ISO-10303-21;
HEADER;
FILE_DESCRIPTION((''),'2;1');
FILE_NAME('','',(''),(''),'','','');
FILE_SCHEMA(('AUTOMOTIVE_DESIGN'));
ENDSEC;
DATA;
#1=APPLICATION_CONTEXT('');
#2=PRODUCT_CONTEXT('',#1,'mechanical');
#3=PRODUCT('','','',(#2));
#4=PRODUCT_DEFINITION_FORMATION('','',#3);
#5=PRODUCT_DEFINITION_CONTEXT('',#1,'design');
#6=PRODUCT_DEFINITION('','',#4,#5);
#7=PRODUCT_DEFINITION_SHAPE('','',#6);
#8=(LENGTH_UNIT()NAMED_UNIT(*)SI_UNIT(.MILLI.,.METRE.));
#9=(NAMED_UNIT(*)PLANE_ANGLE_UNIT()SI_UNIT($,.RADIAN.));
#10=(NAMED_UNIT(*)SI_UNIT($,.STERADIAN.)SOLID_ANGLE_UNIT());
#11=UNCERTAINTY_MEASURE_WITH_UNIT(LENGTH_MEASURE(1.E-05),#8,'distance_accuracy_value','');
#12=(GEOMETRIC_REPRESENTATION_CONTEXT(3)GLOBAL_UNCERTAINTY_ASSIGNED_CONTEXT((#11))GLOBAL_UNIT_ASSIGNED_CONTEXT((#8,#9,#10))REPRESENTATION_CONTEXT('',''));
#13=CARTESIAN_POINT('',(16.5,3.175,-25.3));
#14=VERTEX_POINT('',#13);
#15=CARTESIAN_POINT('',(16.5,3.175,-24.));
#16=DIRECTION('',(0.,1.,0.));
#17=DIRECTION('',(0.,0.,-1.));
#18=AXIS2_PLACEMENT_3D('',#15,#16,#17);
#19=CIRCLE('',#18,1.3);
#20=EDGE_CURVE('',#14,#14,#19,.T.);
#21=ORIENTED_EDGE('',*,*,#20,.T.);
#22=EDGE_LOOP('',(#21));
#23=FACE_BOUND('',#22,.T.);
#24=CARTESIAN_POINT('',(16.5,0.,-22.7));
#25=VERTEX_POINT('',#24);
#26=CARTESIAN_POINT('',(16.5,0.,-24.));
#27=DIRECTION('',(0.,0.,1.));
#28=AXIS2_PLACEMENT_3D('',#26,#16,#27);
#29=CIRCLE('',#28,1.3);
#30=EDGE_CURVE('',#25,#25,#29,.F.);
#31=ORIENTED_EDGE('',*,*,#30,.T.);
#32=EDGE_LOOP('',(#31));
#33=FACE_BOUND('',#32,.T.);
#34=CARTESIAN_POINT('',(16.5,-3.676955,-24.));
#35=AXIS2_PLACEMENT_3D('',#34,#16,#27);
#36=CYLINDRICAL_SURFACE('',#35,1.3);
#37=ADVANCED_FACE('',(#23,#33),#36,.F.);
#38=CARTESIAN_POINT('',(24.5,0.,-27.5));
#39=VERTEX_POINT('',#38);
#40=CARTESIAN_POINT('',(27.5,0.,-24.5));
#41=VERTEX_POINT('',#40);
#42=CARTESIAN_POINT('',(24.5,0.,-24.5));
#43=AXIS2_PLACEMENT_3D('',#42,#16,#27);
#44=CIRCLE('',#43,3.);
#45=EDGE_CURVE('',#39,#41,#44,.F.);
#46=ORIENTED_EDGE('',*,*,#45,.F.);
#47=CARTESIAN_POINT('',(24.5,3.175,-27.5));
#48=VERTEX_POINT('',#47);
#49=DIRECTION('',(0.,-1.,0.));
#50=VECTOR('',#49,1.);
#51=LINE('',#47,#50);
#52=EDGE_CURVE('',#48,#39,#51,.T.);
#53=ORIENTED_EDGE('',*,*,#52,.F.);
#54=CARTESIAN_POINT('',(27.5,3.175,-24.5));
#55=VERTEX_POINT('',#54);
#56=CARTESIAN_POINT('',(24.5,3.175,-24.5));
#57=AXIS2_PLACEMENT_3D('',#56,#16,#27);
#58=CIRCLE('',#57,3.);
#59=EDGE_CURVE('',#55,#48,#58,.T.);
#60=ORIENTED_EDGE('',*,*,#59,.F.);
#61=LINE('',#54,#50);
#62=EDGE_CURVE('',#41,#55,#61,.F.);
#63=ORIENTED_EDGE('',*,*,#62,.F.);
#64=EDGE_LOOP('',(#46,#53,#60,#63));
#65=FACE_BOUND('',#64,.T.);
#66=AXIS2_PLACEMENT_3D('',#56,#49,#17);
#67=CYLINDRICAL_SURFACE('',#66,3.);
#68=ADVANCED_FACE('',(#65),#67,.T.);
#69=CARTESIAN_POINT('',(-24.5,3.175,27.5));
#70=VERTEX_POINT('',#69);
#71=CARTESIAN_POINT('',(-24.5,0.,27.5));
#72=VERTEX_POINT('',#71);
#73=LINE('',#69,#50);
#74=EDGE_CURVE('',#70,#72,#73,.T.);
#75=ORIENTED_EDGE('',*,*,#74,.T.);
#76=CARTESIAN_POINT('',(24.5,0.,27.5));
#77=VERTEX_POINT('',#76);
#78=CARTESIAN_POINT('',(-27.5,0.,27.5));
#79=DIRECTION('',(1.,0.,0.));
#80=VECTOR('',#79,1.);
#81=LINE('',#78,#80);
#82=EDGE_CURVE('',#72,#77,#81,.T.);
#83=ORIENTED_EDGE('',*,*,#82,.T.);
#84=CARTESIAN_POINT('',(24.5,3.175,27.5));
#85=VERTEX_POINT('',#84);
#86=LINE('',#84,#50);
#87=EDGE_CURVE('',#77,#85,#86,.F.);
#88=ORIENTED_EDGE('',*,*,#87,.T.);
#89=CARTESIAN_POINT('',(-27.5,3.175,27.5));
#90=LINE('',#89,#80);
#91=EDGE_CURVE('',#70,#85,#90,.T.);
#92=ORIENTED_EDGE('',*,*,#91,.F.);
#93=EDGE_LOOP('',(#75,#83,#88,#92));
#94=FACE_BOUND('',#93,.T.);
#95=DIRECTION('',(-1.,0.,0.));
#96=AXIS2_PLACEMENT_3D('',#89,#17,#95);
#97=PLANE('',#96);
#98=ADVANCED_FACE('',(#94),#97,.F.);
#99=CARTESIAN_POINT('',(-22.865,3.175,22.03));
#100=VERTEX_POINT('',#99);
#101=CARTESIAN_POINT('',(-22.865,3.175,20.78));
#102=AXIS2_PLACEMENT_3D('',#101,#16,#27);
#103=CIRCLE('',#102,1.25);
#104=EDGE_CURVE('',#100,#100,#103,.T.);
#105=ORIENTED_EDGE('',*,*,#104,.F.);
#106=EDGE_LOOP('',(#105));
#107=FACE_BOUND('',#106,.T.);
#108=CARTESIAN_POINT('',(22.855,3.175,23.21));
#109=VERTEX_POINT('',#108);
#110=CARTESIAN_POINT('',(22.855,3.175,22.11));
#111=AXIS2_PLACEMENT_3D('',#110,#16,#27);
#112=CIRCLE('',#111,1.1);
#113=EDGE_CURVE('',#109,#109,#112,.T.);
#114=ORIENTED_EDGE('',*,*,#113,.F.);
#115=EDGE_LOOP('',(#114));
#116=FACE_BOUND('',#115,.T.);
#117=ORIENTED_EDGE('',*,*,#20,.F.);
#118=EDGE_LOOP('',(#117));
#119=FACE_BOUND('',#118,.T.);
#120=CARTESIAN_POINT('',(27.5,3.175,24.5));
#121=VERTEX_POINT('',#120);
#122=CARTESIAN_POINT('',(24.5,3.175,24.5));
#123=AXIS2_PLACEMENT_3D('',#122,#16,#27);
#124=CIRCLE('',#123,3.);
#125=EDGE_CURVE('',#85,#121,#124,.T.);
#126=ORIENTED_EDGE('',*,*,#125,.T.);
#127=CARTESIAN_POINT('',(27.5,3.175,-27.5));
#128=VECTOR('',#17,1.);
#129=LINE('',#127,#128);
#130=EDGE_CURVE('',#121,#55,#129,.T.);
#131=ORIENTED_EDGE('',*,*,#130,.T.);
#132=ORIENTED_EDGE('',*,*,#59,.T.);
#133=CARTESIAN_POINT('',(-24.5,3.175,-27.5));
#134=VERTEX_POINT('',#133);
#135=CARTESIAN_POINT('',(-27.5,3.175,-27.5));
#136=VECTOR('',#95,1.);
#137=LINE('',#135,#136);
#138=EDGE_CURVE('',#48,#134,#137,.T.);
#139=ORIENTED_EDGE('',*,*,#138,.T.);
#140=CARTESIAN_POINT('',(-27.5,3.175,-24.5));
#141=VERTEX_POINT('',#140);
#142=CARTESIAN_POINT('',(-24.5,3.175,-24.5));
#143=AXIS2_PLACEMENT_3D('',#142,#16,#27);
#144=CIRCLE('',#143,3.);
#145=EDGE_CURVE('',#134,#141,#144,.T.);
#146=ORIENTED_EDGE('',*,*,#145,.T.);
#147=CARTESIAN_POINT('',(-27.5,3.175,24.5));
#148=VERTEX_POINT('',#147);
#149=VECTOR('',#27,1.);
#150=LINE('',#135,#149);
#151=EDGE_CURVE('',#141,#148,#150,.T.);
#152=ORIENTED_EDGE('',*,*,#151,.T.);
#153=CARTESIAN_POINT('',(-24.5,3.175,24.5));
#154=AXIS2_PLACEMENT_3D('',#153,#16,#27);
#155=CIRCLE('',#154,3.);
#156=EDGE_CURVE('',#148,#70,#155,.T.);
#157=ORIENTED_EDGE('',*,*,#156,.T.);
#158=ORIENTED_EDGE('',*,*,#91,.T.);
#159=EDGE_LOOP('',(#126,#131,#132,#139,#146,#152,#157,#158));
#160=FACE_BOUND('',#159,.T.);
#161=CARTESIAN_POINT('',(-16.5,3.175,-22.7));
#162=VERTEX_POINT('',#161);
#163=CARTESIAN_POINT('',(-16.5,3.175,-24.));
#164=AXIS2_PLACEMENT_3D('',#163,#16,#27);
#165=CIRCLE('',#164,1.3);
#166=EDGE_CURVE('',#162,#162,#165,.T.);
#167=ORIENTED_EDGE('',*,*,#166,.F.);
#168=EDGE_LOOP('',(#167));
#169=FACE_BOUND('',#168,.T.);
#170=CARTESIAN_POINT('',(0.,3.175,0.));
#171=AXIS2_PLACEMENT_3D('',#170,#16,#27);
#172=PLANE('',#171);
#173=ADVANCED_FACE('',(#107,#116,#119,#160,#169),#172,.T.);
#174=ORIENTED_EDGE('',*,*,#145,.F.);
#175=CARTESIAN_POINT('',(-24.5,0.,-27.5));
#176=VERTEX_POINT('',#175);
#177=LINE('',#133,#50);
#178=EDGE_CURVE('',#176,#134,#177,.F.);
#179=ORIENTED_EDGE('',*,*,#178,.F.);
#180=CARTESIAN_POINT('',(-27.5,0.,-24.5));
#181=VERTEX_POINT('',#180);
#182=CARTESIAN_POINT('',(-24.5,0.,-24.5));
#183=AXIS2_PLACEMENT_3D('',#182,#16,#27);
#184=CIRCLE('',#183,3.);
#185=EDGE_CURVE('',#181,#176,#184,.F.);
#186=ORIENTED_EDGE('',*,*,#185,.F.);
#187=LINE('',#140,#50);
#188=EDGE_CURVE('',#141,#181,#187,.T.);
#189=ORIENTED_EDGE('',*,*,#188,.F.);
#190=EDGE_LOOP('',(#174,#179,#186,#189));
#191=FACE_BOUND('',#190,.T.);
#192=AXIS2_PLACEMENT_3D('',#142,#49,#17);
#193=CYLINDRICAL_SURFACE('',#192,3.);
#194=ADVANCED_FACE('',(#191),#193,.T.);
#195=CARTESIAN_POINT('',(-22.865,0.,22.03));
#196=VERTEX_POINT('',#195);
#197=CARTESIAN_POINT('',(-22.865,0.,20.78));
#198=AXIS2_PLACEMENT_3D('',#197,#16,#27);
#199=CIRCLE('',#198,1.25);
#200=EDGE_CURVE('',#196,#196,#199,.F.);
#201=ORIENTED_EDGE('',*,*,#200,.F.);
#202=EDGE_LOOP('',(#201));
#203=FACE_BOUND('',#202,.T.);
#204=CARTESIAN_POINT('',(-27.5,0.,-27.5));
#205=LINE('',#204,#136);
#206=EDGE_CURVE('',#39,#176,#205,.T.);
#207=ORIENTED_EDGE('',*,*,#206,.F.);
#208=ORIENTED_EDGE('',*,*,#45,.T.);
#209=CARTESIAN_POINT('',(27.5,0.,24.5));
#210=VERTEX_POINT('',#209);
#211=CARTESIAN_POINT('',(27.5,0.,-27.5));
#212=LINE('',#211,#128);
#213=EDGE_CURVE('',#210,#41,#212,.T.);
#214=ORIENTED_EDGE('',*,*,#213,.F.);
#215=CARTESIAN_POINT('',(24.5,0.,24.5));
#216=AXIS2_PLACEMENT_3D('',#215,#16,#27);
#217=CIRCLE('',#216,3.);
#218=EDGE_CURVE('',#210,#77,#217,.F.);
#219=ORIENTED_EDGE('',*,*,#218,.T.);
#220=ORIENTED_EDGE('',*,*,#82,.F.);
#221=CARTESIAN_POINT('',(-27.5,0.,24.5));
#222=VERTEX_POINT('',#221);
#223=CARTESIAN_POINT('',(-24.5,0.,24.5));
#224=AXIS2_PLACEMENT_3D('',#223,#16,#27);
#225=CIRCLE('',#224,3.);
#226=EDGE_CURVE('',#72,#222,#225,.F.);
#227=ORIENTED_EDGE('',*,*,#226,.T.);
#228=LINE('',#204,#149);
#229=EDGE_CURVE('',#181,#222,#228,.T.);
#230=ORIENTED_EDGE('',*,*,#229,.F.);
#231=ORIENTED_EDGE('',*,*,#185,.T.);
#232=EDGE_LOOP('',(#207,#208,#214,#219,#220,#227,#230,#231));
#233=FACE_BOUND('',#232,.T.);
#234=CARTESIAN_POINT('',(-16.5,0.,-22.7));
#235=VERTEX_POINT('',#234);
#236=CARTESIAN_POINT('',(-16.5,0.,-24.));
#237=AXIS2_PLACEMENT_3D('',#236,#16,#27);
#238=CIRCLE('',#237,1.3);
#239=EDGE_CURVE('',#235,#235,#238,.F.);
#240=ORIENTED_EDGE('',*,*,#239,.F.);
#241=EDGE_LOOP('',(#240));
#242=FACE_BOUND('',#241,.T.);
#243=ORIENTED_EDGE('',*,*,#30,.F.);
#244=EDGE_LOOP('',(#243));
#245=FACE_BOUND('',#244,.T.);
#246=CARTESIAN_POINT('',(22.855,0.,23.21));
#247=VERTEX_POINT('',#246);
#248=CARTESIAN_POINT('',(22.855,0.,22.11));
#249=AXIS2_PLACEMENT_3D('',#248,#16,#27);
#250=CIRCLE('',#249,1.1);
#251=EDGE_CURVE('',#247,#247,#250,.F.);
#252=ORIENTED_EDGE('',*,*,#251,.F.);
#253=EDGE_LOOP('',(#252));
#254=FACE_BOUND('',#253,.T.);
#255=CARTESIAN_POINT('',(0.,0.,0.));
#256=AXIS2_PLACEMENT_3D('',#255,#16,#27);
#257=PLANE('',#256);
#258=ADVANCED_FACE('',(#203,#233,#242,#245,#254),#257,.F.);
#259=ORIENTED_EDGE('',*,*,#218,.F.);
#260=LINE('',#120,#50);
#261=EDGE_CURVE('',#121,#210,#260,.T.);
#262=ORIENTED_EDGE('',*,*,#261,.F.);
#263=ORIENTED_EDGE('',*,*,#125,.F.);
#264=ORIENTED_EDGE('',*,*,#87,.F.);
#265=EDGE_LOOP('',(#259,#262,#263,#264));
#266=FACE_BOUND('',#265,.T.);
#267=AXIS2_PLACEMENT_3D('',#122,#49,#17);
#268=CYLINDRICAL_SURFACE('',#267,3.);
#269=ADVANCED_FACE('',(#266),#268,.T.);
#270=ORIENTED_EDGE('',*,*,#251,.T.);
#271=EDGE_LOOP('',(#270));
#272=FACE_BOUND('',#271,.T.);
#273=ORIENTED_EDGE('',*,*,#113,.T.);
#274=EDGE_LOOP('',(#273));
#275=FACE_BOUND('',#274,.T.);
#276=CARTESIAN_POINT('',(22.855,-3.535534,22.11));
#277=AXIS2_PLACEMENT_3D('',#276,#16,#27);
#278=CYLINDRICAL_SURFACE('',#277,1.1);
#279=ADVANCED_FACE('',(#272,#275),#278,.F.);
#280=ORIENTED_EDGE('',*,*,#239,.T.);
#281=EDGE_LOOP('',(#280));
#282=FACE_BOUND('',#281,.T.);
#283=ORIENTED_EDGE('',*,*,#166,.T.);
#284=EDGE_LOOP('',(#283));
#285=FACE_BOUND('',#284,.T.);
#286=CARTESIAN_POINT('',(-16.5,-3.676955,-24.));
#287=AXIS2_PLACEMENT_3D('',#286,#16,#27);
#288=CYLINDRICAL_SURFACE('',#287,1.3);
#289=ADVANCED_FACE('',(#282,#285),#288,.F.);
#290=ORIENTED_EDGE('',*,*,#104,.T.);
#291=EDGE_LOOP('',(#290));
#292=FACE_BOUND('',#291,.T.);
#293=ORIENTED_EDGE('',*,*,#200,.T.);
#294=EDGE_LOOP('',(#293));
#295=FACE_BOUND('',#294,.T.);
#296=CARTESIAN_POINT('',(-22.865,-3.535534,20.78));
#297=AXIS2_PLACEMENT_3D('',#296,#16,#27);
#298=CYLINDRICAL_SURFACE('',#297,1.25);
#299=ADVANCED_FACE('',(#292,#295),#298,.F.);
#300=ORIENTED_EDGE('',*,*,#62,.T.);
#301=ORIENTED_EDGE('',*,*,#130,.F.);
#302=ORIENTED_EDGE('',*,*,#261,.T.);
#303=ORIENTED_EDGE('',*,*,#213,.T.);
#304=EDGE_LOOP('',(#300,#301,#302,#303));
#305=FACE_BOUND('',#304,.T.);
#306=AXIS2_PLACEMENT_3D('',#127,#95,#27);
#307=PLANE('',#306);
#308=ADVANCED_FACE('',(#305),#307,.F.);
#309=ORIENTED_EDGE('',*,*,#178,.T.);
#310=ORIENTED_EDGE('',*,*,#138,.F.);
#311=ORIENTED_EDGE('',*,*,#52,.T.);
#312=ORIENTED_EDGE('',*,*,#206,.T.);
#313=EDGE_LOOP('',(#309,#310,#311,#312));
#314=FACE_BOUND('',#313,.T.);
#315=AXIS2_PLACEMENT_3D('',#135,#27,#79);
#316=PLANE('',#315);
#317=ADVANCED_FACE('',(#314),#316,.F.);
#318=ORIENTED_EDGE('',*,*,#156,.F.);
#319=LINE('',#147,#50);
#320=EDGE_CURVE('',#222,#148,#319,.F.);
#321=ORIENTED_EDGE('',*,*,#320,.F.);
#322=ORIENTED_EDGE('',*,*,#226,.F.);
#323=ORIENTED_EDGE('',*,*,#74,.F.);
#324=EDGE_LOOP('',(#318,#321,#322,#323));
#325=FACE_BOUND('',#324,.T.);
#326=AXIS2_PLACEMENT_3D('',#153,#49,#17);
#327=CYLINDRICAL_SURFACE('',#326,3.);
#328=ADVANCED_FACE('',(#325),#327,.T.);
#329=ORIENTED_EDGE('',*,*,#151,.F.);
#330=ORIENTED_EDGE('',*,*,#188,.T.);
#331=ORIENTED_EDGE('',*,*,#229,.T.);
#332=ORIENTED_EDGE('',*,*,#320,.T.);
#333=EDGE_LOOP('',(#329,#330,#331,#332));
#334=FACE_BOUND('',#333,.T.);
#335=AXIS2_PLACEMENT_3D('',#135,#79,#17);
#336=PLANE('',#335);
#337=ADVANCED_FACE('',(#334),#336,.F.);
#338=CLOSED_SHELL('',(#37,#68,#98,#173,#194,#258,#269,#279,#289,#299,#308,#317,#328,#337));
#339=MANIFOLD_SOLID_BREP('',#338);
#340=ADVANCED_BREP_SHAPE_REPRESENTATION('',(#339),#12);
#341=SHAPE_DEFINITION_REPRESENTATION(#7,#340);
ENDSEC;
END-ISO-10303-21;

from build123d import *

# Parameters (mm, degrees)
SKETCH1_W           = 55
SKETCH1_H           = 55
BOSS_EXTRUDE1_DEPTH = 3.175
FILLET1_R           = 3
SKETCH3_R           = 1.1
SKETCH3_R_2         = 1.25
CUT_EXTRUDE2_DEPTH  = 3.175
SKETCH6_R           = 1.3
CUT_EXTRUDE5_DEPTH  = 3.175


with BuildPart() as part:
    # Sketch1 → Boss-Extrude1 (new body)
    with BuildSketch(Plane(origin=(0, 0, 0), x_dir=(1, 0, 0), z_dir=(0, 1, 0))):
        Rectangle(SKETCH1_W, SKETCH1_H)
    extrude(amount=BOSS_EXTRUDE1_DEPTH)

    # Fillet1
    fillet1_edges = [part.edges().sort_by_distance(p)[0] for p in [
        (27.5, 1.5875, 27.5),
        (-27.5, 1.5875, 27.5),
        (-27.5, 1.5875, -27.5),
        (27.5, 1.5875, -27.5),
    ]]
    fillet(fillet1_edges, radius=FILLET1_R)

    # Sketch3 → Cut-Extrude2 (cut)
    with BuildSketch(Plane(origin=(0, 3.175, 0), x_dir=(1, 0, 0), z_dir=(0, 1, 0))):
        with Locations((22.855, -22.11)):
            Circle(SKETCH3_R)
        with Locations((-22.865, -20.78)):
            Circle(SKETCH3_R_2)
    extrude(amount=-CUT_EXTRUDE2_DEPTH, mode=Mode.SUBTRACT)

    # Sketch6 → Cut-Extrude5 (cut)
    with BuildSketch(Plane(origin=(0, 3.175, 0), x_dir=(1, 0, 0), z_dir=(0, 1, 0))):
        with Locations((-16.5, 24)):
            Circle(SKETCH6_R)
        with Locations((16.5, 24)):
            Circle(SKETCH6_R)
    extrude(amount=-CUT_EXTRUDE5_DEPTH, mode=Mode.SUBTRACT)


solid = part.part
